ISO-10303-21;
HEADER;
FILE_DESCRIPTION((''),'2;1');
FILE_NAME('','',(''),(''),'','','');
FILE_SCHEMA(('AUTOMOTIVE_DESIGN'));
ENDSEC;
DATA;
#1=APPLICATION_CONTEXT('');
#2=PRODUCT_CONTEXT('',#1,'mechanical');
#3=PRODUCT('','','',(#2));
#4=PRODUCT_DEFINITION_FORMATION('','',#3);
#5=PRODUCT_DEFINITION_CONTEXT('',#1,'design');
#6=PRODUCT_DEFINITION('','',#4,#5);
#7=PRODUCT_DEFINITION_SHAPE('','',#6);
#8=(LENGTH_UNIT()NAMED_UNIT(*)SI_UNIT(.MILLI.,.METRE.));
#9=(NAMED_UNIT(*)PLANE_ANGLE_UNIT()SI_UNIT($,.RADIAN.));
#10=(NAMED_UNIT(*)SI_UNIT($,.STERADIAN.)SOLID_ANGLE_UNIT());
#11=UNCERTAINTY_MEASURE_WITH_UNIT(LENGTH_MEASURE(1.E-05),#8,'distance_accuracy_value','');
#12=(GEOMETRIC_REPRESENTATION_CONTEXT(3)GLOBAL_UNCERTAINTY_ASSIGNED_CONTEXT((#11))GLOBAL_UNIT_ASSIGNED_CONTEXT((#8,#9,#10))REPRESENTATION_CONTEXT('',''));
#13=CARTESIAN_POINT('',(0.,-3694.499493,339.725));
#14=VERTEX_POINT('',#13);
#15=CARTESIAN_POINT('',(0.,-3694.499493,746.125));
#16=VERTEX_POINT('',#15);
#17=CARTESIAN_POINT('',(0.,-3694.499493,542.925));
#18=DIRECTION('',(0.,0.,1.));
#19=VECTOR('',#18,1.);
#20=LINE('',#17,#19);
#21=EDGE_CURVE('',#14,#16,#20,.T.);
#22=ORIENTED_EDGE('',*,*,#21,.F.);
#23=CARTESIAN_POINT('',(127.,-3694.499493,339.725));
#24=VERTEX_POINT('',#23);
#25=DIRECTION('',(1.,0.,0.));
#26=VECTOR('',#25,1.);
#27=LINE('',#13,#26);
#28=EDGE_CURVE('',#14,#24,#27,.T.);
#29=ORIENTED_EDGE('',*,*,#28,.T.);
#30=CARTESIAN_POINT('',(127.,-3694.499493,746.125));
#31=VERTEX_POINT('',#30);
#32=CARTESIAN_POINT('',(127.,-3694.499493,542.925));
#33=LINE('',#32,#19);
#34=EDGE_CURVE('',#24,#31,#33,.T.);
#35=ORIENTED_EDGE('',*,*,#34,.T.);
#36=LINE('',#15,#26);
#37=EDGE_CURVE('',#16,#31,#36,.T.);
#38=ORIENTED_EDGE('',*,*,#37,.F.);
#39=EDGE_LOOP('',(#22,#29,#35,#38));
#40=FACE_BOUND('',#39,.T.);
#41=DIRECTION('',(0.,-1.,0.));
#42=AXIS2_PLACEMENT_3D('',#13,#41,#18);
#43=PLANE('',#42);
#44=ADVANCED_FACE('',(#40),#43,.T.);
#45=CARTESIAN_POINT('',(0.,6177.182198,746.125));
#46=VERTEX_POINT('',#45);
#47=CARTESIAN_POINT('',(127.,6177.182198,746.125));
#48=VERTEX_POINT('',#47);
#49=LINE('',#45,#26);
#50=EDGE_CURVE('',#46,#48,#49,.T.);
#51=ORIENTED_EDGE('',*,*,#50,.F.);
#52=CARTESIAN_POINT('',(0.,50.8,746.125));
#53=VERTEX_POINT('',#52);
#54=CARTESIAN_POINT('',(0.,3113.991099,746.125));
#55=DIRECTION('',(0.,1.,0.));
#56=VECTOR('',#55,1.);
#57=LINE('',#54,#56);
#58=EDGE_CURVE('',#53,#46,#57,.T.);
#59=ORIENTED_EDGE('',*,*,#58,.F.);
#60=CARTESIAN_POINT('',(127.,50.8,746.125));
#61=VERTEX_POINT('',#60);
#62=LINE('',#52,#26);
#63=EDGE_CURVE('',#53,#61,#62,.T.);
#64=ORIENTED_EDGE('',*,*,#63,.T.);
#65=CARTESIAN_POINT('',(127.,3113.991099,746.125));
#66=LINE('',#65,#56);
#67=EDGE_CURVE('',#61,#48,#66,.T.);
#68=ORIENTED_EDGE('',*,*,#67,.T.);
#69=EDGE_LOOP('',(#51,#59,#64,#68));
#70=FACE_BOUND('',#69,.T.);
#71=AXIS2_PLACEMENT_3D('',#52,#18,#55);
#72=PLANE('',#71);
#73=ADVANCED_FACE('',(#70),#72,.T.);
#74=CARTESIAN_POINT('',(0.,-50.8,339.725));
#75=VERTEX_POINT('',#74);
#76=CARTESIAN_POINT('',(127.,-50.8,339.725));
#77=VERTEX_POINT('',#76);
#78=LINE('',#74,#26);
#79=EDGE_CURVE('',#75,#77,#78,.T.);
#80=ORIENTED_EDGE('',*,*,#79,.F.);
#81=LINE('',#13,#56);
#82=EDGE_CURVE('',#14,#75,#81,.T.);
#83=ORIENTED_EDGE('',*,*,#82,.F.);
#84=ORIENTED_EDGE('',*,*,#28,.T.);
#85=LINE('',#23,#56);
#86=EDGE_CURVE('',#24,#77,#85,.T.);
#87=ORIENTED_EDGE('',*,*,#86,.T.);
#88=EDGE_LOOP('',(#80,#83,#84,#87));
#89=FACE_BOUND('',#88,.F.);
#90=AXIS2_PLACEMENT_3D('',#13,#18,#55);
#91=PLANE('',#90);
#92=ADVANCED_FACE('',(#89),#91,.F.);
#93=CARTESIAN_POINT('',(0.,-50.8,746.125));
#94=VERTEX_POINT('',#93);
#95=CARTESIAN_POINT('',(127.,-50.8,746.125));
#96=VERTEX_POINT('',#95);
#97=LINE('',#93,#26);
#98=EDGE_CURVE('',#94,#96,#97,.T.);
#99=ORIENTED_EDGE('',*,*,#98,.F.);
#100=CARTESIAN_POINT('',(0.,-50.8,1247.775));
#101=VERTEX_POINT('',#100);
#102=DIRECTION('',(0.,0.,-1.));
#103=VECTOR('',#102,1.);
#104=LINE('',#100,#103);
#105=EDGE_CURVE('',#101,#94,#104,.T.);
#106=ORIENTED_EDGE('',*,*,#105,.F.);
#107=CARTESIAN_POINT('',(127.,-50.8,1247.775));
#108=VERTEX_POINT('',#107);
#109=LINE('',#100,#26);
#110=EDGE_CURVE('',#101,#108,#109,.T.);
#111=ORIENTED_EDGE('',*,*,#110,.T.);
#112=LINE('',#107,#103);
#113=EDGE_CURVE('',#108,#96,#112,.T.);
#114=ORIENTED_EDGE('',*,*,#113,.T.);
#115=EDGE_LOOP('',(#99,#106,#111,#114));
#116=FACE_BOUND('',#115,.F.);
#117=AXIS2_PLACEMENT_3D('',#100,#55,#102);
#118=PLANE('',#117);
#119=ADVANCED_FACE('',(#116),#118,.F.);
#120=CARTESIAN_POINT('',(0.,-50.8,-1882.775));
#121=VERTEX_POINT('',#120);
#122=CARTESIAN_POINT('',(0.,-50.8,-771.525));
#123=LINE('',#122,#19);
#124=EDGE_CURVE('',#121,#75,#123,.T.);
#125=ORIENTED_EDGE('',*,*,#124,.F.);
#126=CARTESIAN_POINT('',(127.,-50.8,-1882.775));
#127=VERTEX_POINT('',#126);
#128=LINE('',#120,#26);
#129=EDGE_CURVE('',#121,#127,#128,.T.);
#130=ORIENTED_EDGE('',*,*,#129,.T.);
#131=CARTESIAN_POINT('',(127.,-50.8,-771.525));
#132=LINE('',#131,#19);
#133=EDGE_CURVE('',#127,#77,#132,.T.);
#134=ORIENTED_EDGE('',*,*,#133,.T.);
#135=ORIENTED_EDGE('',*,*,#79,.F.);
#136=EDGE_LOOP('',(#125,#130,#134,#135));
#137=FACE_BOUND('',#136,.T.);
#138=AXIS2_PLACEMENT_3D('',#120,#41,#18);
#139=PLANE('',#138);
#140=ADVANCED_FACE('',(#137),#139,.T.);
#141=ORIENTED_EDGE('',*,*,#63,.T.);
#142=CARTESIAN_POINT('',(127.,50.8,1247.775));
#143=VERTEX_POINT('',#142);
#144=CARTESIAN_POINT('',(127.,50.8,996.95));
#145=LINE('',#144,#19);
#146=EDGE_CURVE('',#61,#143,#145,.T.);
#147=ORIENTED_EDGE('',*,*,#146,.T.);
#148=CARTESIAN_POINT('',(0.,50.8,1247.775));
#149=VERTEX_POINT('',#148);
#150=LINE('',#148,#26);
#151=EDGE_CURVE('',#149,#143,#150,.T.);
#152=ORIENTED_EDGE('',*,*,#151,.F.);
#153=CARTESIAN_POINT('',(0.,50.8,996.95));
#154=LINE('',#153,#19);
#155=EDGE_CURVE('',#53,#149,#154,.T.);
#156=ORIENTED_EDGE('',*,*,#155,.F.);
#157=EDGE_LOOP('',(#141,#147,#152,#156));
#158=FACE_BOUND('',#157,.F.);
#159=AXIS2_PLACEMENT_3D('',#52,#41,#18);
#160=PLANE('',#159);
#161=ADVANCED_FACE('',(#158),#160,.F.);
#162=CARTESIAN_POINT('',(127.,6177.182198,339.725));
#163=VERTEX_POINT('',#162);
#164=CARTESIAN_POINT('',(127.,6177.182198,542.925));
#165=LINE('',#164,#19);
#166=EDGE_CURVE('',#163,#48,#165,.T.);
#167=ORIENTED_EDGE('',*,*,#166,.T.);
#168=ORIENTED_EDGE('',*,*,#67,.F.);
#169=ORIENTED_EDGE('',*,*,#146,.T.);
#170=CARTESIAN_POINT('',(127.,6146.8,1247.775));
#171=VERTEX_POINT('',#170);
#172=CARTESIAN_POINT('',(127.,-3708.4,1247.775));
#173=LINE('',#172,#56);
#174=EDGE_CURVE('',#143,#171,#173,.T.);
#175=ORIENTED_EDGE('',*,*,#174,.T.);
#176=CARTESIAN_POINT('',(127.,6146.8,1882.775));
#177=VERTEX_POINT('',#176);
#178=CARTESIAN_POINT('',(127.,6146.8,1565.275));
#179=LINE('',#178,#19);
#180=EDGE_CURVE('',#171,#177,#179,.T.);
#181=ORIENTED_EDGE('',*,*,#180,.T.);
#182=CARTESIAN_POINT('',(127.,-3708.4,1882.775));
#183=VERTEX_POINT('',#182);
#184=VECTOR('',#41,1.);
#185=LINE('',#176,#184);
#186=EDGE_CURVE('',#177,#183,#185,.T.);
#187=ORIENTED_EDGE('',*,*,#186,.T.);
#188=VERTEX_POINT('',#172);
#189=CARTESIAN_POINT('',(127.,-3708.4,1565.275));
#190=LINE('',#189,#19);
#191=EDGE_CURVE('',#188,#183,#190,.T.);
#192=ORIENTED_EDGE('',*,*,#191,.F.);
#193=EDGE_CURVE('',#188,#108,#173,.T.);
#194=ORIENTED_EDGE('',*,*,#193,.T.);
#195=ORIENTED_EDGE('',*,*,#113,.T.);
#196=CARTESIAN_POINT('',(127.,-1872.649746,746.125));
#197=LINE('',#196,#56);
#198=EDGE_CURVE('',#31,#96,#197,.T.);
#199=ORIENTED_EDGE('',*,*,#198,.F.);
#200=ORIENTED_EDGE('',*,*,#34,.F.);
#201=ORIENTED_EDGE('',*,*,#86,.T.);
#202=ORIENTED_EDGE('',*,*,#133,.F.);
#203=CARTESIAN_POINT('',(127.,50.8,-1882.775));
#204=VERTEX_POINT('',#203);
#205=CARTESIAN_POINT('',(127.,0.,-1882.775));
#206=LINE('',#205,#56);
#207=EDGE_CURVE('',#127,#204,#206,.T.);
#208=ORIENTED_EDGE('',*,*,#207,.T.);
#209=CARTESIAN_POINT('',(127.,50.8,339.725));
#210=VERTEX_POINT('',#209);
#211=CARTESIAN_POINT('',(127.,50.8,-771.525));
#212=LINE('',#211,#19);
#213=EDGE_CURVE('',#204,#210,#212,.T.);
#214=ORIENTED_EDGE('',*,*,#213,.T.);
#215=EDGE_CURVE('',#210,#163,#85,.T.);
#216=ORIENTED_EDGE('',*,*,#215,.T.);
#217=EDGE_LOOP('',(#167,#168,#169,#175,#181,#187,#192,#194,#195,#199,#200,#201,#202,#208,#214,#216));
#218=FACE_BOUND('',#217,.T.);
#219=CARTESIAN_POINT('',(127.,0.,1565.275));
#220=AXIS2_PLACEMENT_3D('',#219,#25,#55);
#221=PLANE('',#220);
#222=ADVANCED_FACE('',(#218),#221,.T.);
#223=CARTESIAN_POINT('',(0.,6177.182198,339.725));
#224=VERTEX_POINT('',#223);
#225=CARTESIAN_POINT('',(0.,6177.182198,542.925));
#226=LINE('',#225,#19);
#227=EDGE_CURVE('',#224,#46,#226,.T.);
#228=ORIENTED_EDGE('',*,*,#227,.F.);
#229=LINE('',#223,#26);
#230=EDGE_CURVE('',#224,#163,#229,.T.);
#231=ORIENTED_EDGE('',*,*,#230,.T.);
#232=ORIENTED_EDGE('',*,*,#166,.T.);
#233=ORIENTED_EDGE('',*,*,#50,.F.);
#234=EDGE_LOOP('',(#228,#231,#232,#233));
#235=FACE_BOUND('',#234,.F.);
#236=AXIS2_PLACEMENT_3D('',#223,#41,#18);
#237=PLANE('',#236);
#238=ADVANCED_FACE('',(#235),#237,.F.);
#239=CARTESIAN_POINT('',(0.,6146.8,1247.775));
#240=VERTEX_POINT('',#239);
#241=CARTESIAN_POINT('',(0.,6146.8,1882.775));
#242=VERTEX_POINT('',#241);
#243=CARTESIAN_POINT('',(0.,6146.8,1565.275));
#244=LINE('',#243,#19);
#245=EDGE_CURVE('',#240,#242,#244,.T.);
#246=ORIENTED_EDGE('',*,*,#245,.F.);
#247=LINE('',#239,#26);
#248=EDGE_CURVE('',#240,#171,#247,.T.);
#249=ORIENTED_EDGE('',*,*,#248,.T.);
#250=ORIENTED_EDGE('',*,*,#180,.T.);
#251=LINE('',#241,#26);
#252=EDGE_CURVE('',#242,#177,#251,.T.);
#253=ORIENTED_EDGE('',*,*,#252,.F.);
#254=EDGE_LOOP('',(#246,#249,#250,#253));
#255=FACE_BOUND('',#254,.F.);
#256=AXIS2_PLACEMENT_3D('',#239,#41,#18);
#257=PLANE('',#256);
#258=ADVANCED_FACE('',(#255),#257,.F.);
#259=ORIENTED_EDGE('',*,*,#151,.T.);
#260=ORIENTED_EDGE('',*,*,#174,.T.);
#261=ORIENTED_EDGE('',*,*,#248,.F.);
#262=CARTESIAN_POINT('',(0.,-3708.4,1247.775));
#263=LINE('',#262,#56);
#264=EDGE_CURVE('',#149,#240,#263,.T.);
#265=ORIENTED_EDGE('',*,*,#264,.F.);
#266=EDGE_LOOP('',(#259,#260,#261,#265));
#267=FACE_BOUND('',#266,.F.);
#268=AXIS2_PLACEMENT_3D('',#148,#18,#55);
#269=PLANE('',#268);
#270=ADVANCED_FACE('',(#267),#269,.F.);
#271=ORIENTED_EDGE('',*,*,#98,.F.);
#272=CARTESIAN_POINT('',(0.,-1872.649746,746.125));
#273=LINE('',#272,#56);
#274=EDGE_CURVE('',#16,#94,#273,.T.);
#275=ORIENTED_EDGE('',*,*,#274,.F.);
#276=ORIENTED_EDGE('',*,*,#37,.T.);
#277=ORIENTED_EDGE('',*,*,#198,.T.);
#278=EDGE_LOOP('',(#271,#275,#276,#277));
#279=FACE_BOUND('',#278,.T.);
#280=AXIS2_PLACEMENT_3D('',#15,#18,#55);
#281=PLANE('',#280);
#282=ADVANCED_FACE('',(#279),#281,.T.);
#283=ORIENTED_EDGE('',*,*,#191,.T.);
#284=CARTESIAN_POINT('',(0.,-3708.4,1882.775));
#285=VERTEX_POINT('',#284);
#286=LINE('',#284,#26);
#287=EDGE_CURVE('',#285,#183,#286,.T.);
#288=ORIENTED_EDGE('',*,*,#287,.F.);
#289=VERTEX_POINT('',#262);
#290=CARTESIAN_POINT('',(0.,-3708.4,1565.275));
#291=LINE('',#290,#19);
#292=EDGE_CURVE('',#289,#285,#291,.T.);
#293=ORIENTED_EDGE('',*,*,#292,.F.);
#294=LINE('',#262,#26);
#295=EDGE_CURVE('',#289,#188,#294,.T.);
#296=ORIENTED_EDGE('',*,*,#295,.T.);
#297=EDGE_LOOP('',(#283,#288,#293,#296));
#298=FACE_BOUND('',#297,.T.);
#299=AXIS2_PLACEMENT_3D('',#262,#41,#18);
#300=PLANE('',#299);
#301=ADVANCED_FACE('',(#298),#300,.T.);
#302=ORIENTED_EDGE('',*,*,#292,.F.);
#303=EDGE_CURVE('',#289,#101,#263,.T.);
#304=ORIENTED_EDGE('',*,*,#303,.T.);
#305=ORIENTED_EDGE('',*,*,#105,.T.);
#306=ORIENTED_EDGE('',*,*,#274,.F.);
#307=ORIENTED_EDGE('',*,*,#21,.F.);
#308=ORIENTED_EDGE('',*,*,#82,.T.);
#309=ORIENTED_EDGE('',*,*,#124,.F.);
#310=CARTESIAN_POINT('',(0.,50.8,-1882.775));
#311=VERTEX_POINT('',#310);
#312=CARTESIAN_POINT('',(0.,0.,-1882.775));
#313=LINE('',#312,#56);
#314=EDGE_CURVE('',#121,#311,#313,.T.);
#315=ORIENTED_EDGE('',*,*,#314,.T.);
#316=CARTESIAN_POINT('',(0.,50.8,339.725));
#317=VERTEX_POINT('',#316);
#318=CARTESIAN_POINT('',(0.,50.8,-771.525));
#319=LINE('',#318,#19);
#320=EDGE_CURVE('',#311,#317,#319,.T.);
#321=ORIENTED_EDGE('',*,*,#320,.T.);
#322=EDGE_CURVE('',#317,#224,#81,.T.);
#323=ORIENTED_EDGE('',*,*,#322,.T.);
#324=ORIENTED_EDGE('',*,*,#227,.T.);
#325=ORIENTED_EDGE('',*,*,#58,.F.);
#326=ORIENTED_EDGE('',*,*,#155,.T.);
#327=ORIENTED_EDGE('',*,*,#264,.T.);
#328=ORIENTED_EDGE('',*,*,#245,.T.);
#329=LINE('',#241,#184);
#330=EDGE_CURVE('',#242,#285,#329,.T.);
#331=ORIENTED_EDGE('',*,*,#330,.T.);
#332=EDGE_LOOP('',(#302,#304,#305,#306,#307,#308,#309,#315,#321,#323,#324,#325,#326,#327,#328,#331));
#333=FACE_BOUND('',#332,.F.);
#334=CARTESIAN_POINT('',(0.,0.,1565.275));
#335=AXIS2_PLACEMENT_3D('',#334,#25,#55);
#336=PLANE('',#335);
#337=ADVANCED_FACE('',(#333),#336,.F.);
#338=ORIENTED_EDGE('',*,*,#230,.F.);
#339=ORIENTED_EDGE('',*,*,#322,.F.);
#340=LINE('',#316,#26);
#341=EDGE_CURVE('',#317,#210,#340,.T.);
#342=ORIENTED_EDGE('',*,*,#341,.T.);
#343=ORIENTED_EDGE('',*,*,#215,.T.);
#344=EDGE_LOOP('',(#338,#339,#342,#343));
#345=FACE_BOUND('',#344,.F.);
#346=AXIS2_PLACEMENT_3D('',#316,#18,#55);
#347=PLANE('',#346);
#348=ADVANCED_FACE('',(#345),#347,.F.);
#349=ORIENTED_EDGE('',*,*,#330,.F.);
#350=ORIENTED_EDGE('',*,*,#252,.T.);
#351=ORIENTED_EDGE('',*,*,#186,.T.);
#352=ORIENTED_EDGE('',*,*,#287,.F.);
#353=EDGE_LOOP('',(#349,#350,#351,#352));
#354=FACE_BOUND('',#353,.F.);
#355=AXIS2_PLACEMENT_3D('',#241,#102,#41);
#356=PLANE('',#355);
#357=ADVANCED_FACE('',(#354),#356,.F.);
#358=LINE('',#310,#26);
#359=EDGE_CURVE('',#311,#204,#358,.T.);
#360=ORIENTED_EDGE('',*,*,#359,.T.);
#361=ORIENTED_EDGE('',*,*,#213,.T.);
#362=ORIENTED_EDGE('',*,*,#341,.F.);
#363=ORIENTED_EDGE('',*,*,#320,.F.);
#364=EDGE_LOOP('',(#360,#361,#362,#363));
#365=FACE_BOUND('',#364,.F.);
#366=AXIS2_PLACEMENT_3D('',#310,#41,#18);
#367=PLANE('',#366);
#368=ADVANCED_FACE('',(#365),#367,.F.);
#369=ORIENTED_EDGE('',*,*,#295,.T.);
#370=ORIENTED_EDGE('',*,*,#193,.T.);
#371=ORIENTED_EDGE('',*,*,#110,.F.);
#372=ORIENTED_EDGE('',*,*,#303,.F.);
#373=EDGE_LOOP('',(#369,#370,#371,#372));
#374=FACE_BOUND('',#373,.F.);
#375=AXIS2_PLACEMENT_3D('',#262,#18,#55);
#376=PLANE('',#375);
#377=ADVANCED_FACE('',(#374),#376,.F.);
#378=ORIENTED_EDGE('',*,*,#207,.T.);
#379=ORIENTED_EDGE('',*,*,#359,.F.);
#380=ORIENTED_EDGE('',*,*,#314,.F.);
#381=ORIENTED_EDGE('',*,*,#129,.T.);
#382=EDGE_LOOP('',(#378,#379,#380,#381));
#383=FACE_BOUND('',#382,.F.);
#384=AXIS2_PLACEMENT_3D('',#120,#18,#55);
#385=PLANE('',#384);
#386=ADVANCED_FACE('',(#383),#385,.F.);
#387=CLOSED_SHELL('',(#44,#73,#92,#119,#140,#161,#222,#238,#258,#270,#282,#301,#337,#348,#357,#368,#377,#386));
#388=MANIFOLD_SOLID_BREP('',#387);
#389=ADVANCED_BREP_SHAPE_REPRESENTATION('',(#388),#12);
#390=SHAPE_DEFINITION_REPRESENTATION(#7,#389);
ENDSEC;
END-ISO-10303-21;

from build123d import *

# Parameters (mm, degrees)
F0_W     = 101.6
F0_H     = 635
F0_W_2   = 6096
F0_W_3   = 3657.6
F0_H_2   = 501.65
F0_W_4   = 6126.3821975708
F0_H_3   = 406.4
F0_W_5   = 3643.6994926453
F0_H_4   = 2222.5
F1_DEPTH = 127


with BuildPart() as f1:
    # F0 (on Right) → F1 (new body)
    with BuildSketch(Plane.YZ):
        with Locations((0, 1565.275)):
            Rectangle(F0_W, F0_H)
        with Locations((3098.8, 1565.275)):
            Rectangle(F0_W_2, F0_H)
        with Locations((-1879.6, 1565.275)):
            Rectangle(F0_W_3, F0_H)
        with Locations((0, 996.95)):
            Rectangle(F0_W, F0_H_2)
        with Locations((3113.9910987854, 542.925)):
            Rectangle(F0_W_4, F0_H_3)
        with Locations((0, 542.925)):
            Rectangle(F0_W, F0_H_3)
        with Locations((-1872.6497463226, 542.925)):
            Rectangle(F0_W_5, F0_H_3)
        with Locations((0, -771.525)):
            Rectangle(F0_W, F0_H_4)
    extrude(amount=F1_DEPTH)


solid = f1.part
